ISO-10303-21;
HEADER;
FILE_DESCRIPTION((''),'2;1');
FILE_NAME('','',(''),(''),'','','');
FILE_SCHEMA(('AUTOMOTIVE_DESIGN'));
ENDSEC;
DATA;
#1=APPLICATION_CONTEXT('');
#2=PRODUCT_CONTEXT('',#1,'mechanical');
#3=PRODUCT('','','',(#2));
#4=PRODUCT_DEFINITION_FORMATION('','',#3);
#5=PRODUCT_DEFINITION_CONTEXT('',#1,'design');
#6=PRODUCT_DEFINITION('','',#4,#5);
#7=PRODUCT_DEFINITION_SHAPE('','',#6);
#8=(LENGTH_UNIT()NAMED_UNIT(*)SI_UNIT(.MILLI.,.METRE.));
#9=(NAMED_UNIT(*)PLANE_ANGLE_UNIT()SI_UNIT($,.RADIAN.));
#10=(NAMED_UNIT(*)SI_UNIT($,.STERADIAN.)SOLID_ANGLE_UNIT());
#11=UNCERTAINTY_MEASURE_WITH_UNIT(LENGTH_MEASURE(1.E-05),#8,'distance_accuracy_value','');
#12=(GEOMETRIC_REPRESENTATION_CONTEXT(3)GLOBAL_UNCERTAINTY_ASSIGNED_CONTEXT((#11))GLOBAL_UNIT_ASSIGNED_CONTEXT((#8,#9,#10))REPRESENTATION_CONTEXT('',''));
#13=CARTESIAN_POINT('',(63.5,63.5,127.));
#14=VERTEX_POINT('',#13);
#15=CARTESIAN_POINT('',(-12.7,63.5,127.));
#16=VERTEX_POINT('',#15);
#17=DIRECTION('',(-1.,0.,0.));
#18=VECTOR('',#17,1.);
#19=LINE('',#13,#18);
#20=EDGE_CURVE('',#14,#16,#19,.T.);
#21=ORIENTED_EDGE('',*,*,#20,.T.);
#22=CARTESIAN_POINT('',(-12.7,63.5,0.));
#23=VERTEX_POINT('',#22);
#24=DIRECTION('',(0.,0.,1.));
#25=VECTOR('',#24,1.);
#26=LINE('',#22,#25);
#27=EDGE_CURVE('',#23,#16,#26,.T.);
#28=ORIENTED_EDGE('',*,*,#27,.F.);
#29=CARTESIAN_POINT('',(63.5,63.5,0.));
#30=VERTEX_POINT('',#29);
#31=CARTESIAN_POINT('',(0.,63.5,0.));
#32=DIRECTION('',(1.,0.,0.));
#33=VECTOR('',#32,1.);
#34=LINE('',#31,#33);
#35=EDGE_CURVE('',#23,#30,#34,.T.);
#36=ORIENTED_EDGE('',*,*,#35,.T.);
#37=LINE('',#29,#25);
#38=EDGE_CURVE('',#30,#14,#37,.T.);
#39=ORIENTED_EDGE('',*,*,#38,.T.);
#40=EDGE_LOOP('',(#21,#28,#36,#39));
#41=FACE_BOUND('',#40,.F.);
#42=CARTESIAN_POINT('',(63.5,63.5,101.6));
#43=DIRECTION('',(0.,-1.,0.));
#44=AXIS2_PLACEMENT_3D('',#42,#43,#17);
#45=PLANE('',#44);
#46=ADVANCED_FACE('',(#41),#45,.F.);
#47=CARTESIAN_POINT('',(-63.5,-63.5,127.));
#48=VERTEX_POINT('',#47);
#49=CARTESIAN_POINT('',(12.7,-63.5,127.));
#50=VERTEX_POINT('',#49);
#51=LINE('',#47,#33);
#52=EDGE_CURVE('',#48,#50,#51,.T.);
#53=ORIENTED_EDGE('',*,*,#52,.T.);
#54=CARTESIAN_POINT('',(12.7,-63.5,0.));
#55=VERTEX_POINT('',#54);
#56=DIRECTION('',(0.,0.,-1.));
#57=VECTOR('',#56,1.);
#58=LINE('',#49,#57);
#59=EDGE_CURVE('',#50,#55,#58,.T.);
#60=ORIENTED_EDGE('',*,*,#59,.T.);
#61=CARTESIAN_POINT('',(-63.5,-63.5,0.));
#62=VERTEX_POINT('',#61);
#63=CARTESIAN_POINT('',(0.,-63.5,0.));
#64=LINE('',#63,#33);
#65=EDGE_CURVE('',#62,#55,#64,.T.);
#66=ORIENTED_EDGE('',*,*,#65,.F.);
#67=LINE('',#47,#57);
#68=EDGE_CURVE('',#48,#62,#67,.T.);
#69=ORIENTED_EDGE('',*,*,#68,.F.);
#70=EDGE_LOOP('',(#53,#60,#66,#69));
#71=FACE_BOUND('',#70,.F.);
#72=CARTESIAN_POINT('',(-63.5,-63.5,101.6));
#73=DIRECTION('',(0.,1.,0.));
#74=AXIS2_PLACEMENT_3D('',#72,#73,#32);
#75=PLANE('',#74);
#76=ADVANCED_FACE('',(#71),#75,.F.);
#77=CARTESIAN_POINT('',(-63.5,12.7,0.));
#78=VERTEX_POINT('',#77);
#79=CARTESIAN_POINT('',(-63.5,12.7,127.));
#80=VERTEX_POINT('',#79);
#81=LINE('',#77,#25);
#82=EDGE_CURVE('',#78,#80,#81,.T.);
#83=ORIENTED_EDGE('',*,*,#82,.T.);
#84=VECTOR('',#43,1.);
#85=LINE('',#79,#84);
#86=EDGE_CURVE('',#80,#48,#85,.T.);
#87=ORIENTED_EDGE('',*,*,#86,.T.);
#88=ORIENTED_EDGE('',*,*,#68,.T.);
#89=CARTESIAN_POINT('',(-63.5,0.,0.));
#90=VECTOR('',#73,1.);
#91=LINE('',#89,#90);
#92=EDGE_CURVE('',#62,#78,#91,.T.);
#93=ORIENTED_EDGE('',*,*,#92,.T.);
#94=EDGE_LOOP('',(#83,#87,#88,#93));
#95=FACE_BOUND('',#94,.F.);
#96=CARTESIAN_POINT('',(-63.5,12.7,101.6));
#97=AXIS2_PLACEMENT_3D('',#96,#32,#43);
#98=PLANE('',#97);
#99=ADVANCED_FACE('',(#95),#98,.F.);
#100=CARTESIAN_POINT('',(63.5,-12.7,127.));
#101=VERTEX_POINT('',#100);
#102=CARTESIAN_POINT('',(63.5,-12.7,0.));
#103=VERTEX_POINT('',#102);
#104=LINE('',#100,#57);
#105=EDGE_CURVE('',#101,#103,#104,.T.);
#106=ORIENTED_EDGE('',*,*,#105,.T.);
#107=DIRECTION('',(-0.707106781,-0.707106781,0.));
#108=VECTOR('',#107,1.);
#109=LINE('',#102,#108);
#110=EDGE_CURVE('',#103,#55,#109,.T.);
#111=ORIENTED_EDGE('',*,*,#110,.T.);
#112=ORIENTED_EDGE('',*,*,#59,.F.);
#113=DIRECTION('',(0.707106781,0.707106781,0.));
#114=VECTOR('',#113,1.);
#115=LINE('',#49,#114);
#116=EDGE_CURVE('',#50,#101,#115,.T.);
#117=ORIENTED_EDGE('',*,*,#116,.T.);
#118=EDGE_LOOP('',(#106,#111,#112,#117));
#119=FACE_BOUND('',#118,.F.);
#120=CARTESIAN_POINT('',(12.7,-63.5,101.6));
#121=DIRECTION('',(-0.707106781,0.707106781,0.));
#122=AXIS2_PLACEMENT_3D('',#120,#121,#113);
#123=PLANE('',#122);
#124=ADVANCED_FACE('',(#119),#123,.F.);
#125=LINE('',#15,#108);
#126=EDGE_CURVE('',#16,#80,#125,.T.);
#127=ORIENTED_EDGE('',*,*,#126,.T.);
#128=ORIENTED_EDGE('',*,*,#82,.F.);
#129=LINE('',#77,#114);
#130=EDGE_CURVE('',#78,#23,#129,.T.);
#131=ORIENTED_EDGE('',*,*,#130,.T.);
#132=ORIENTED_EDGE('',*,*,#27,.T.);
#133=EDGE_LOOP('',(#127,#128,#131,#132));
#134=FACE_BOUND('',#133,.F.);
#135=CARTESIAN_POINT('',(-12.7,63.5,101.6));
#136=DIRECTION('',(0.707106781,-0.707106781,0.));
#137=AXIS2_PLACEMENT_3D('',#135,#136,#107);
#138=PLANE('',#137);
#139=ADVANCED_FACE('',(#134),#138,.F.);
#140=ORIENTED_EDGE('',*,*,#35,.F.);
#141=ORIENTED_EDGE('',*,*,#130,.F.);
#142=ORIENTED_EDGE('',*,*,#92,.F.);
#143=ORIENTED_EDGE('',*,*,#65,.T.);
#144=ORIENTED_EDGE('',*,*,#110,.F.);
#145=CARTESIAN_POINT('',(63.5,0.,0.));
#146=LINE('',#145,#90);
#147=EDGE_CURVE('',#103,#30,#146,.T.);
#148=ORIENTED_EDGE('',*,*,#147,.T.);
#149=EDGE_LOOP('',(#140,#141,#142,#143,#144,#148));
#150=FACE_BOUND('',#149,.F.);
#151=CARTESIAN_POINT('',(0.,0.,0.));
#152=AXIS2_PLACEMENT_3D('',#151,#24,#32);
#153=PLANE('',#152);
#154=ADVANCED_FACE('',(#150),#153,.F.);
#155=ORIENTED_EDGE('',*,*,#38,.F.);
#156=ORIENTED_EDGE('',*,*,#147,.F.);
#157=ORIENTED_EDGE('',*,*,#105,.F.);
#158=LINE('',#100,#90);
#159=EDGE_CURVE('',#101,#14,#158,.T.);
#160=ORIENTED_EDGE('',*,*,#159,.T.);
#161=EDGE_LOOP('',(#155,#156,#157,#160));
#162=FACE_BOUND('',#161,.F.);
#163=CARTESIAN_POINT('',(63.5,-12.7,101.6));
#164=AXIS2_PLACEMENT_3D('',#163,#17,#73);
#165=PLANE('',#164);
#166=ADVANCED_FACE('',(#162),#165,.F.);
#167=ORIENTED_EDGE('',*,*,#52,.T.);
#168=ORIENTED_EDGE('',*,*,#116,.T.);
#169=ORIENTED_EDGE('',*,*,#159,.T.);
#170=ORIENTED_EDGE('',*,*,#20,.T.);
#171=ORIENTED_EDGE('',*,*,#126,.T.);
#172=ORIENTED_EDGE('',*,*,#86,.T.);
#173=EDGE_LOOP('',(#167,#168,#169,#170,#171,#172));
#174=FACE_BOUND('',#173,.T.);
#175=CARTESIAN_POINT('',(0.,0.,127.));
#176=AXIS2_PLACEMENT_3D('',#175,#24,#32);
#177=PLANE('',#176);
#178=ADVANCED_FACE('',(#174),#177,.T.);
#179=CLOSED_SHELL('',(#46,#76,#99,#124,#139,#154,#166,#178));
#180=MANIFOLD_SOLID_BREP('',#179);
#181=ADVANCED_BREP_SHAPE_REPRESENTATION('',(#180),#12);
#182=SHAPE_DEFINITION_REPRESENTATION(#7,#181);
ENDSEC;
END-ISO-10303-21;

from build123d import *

# Parameters (mm, degrees)
F0_W     = 127
F0_H     = 127
F1_DEPTH = 101.6
F3_DEPTH = 101.6
F4_DEPTH = 25.4


with BuildPart() as f1:
    # F0 (on Top) → F1 (new body)
    with BuildSketch(Plane.XY):
        Rectangle(F0_W, F0_H)
    extrude(amount=F1_DEPTH)

    # F2 (on face) → F3 (cut)
    with BuildSketch(Plane.XY.offset(101.6)):
        Polygon((-12.7, 63.5), (-63.5, 63.5), (-63.5, 12.7), align=None)
        Polygon((63.5, -63.5), (63.5, -12.7), (12.7, -63.5), align=None)
    extrude(amount=-F3_DEPTH, mode=Mode.SUBTRACT)

    # F1_face (on face) → F4 (join)
    with BuildSketch(Plane.XY.offset(101.6)):
        Polygon((63.5, -12.7), (63.5, 63.5), (-12.7, 63.5), (-63.5, 12.7), (-63.5, -63.5), (12.7, -63.5), align=None)
    extrude(amount=F4_DEPTH)


solid = f1.part
